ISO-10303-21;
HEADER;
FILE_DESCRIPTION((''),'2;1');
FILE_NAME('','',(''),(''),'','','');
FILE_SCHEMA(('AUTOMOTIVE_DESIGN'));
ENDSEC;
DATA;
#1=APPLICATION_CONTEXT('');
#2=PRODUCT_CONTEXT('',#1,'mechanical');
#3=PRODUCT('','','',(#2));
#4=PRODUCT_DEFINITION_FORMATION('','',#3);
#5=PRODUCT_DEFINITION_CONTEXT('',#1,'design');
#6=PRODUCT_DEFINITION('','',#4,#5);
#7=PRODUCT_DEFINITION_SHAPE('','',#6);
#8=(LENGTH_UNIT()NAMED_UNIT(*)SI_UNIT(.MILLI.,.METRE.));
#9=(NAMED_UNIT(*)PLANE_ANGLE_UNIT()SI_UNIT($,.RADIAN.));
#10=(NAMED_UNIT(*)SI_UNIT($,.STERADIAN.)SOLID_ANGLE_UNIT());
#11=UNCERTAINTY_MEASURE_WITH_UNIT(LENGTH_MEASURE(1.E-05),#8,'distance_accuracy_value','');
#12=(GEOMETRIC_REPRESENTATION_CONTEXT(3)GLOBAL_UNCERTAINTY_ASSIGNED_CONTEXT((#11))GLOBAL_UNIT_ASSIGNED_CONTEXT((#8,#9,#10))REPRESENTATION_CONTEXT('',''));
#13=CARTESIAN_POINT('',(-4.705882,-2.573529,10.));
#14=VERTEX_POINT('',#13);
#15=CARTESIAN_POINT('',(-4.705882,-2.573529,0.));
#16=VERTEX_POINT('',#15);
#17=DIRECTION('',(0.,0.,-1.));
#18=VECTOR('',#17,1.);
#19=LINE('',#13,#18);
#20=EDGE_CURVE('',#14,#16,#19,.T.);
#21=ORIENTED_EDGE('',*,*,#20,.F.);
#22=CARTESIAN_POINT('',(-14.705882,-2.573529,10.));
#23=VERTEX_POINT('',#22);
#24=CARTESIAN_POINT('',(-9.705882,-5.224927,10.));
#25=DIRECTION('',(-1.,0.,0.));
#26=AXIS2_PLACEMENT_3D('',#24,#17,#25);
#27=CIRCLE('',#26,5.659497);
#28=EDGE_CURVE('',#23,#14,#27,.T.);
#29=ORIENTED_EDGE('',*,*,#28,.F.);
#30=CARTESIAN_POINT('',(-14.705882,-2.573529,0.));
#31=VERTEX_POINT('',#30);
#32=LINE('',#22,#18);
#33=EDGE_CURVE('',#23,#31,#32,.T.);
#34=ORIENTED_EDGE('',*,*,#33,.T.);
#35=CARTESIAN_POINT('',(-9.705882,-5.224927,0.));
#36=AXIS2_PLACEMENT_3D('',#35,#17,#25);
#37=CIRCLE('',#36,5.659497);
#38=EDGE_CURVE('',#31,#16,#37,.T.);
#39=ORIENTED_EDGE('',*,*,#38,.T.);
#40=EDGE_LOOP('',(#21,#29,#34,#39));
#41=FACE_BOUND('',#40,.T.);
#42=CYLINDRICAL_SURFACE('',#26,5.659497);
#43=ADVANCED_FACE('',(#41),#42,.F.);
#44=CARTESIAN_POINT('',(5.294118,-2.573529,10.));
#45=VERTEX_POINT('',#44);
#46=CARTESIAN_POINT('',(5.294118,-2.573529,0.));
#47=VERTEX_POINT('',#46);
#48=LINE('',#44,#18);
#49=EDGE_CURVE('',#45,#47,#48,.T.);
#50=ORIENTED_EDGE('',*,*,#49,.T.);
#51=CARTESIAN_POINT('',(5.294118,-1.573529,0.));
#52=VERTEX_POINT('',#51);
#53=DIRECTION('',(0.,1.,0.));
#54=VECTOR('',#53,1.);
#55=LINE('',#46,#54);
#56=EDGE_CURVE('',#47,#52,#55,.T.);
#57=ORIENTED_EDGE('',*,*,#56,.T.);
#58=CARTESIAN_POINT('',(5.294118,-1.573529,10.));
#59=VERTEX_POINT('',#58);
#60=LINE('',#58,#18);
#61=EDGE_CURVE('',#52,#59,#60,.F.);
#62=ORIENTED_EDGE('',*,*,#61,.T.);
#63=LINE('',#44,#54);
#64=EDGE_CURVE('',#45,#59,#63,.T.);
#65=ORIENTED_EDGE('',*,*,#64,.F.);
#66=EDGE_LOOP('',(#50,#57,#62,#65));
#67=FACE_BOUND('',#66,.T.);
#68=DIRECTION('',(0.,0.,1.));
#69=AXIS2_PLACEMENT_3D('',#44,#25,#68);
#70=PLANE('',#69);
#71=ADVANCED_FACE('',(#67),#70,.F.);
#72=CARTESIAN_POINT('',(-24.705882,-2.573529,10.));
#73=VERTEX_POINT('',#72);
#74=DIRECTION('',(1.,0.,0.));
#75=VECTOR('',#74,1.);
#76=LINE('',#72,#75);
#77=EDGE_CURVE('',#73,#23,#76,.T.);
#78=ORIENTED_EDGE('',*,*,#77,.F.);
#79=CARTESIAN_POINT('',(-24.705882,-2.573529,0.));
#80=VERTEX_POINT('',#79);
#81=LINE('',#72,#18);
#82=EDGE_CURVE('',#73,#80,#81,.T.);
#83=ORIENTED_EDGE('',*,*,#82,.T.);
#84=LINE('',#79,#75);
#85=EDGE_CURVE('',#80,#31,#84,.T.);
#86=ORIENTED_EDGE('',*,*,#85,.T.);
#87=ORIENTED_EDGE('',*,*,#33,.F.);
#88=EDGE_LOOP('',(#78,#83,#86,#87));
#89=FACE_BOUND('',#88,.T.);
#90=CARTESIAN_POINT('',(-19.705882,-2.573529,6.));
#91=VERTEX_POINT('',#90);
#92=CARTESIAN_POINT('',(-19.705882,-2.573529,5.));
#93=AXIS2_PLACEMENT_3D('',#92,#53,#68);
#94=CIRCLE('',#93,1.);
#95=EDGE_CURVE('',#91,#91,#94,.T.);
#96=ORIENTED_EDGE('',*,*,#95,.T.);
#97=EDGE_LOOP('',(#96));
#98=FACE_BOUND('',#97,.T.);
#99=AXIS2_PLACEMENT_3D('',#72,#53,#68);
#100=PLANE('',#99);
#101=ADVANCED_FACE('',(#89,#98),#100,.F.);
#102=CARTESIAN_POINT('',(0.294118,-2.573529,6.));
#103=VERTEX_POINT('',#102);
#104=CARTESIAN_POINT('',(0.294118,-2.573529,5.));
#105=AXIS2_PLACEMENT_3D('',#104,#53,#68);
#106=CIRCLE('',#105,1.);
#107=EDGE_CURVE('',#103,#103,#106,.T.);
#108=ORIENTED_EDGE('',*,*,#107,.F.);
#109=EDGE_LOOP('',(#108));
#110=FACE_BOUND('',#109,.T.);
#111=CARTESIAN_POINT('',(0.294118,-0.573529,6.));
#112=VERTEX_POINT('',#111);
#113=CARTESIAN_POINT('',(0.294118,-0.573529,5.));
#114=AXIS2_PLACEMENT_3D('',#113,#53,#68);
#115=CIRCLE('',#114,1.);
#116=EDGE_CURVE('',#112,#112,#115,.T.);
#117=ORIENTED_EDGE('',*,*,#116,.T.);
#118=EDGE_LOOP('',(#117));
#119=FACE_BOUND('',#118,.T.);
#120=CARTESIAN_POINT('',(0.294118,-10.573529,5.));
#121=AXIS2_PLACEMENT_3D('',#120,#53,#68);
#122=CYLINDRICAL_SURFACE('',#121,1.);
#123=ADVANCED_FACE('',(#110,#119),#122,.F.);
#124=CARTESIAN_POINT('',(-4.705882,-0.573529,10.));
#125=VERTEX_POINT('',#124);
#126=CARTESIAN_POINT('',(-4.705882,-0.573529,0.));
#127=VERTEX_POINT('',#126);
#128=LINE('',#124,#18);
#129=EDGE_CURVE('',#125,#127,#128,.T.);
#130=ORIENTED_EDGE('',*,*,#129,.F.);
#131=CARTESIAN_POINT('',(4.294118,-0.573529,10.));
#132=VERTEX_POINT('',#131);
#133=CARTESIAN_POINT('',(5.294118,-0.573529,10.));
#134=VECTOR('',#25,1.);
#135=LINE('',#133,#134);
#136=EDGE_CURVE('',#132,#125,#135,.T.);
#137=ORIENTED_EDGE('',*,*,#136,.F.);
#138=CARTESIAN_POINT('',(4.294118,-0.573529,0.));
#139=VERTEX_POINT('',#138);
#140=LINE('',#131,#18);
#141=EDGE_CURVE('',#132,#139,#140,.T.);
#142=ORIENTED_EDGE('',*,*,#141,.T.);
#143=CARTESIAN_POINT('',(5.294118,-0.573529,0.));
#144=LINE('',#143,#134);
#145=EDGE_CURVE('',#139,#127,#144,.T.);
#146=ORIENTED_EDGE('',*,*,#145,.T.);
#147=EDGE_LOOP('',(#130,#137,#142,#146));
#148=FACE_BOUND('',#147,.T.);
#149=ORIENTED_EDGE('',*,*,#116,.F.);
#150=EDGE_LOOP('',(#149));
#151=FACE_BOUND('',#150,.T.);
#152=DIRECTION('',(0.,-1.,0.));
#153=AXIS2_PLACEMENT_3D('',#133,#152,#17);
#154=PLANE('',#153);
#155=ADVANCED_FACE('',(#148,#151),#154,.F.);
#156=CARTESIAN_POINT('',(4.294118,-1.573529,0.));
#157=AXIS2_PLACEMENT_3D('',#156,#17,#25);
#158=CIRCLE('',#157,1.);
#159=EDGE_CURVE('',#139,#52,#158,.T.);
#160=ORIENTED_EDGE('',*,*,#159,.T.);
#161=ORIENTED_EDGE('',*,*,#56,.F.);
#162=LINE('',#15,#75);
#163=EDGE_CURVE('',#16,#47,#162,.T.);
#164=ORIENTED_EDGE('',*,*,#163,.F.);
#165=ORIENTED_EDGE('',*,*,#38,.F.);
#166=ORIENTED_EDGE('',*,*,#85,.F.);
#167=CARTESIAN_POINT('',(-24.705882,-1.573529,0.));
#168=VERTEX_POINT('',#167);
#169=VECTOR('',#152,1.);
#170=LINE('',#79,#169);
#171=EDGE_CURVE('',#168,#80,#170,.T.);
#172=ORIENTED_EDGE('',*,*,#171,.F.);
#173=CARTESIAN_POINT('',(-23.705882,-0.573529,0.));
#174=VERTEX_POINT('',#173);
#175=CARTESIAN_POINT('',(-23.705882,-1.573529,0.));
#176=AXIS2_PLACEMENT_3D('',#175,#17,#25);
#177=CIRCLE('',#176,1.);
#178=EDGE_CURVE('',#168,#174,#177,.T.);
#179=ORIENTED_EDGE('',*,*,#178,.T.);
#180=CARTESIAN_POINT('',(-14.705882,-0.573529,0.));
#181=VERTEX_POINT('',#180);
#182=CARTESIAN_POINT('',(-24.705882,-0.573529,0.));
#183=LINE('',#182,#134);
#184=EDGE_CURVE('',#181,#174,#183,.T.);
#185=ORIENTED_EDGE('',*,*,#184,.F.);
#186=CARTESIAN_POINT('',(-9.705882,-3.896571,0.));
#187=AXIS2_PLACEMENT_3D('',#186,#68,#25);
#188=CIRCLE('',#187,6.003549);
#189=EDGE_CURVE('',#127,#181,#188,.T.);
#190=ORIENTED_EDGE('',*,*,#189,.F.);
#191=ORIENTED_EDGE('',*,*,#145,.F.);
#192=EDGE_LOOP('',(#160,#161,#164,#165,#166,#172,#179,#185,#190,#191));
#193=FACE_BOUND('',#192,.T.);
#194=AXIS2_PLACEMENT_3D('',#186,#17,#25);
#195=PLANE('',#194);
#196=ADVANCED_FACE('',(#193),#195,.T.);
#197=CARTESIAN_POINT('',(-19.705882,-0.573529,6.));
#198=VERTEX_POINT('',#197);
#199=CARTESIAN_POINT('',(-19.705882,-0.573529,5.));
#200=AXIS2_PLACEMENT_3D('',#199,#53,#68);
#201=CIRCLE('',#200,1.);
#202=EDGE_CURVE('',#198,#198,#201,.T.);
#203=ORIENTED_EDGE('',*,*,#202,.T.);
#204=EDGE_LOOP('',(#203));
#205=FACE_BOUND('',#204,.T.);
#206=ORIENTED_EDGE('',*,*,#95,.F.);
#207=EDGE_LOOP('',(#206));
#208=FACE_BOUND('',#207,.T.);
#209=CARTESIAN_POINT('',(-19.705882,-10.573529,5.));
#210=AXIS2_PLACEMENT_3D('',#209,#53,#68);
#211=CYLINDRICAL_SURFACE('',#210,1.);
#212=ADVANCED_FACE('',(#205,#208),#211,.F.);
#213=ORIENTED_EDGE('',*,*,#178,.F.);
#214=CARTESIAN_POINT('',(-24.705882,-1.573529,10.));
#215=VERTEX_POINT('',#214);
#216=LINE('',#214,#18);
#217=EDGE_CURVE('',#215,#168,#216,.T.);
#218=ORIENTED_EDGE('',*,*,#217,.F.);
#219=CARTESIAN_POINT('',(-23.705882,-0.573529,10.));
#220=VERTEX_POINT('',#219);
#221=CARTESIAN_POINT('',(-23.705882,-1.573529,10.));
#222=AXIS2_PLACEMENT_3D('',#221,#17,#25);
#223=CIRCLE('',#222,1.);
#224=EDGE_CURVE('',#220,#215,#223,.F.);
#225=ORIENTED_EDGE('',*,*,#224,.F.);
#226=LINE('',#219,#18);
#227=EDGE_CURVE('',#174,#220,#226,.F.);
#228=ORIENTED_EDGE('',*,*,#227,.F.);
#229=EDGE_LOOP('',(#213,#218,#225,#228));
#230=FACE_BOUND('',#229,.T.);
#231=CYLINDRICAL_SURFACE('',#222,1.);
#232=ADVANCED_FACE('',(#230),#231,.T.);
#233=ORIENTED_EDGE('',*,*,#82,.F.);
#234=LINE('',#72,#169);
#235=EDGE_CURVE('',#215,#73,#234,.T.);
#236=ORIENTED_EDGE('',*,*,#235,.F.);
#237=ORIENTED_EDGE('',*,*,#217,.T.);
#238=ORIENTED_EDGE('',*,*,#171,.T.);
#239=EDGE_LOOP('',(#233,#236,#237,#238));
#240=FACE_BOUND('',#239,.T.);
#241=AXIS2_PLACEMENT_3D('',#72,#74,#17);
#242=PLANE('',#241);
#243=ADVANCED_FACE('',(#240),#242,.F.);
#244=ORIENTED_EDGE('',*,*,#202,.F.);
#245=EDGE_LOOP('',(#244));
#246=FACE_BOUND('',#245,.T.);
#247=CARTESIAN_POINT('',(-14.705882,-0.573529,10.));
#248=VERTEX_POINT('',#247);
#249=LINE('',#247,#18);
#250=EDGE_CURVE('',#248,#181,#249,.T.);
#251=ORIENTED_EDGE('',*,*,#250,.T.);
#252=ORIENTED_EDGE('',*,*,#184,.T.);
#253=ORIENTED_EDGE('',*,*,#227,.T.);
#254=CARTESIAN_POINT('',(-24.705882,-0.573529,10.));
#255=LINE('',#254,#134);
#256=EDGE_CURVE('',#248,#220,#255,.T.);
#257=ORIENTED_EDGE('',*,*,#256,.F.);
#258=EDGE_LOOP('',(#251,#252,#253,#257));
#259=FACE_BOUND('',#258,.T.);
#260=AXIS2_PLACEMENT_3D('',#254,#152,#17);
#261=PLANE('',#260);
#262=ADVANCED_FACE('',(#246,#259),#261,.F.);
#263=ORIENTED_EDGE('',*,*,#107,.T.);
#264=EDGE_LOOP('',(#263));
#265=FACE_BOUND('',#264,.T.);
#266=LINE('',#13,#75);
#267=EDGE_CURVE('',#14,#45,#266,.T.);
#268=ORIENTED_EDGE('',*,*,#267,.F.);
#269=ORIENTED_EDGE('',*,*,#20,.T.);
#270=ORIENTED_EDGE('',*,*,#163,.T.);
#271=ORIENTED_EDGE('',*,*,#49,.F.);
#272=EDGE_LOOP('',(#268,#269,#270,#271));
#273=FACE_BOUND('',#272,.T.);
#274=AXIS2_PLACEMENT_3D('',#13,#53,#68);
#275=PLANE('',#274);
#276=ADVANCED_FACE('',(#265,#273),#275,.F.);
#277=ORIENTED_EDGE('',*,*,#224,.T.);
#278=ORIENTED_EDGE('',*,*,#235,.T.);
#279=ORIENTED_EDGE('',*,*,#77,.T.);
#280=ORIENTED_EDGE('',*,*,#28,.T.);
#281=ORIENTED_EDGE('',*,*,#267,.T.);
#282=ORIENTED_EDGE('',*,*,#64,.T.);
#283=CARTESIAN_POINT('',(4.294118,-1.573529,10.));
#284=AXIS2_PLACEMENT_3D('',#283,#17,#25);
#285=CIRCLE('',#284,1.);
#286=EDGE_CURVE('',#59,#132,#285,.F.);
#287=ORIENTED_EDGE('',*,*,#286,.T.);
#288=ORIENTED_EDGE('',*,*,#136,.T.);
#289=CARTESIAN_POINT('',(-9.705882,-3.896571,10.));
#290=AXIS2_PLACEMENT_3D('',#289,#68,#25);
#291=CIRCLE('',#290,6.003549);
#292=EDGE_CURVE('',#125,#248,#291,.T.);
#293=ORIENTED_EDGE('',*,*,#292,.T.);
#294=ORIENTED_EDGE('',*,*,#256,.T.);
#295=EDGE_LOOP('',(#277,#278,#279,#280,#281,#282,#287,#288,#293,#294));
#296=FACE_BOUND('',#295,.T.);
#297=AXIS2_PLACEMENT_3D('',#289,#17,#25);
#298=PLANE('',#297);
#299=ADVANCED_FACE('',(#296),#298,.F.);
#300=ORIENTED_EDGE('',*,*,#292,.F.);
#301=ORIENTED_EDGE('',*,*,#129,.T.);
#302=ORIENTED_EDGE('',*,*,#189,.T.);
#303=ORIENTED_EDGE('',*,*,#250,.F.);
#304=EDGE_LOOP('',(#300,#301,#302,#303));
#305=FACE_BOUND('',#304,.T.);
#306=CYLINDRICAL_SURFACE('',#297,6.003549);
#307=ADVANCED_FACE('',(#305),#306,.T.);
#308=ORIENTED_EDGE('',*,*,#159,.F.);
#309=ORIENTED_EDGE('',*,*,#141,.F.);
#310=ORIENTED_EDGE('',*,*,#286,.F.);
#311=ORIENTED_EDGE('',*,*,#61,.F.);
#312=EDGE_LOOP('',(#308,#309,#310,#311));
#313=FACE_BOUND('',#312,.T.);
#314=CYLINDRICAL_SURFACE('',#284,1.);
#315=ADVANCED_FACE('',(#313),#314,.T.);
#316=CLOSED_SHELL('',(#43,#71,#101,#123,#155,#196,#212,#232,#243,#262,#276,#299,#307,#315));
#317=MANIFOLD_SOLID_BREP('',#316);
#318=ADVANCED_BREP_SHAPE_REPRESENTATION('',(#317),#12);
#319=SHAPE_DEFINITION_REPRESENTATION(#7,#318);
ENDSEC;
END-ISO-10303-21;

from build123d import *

# Parameters (mm, degrees)
BOSS_EXTRUDE1_DEPTH = 10
SKETCH2_R           = 1
CUT_EXTRUDE1_DEPTH  = 10
FILLET1_R           = 1


with BuildPart() as part:
    # Sketch1 → Boss-Extrude1 (new body)
    with BuildSketch(Plane.XY):
        with BuildLine():
            Line((-24.705882353, -2.573529412), (-14.705882353, -2.573529412))
            ThreePointArc((-14.705882353, -2.573529412), (-9.705882353, 0.434570501), (-4.705882353, -2.573529412))
            Line((-4.705882353, -2.573529412), (5.294117647, -2.573529412))
            Line((5.294117647, -2.573529412), (5.294117647, -0.573529412))
            Line((5.294117647, -0.573529412), (-4.705882353, -0.573529412))
            ThreePointArc((-4.705882353, -0.573529412), (-9.705882353, 2.106978403), (-14.705882353, -0.573529412))
            Line((-14.705882353, -0.573529412), (-24.705882353, -0.573529412))
            Line((-24.705882353, -0.573529412), (-24.705882353, -2.573529412))
        make_face()
    extrude(amount=BOSS_EXTRUDE1_DEPTH)

    # Sketch2 → Cut-Extrude1 (cut)
    with BuildSketch(Plane(origin=(0, -0.573529412, 0), x_dir=(1, 0, 0), z_dir=(0, 1, 0))):
        with Locations(Location((0.294117647, -5, 0), (0, 0, 270))):
            Circle(SKETCH2_R)
        with Locations(Location((-19.705882353, -5, 0), (0, 0, 270))):
            Circle(SKETCH2_R)
    extrude(amount=-CUT_EXTRUDE1_DEPTH, mode=Mode.SUBTRACT)

    # Fillet1
    fillet1_edges = [part.edges().sort_by_distance(p)[0] for p in [
        (-24.705882353, -0.573529412, 5),
        (5.294117647, -0.573529412, 5),
    ]]
    fillet(fillet1_edges, radius=FILLET1_R)


solid = part.part
